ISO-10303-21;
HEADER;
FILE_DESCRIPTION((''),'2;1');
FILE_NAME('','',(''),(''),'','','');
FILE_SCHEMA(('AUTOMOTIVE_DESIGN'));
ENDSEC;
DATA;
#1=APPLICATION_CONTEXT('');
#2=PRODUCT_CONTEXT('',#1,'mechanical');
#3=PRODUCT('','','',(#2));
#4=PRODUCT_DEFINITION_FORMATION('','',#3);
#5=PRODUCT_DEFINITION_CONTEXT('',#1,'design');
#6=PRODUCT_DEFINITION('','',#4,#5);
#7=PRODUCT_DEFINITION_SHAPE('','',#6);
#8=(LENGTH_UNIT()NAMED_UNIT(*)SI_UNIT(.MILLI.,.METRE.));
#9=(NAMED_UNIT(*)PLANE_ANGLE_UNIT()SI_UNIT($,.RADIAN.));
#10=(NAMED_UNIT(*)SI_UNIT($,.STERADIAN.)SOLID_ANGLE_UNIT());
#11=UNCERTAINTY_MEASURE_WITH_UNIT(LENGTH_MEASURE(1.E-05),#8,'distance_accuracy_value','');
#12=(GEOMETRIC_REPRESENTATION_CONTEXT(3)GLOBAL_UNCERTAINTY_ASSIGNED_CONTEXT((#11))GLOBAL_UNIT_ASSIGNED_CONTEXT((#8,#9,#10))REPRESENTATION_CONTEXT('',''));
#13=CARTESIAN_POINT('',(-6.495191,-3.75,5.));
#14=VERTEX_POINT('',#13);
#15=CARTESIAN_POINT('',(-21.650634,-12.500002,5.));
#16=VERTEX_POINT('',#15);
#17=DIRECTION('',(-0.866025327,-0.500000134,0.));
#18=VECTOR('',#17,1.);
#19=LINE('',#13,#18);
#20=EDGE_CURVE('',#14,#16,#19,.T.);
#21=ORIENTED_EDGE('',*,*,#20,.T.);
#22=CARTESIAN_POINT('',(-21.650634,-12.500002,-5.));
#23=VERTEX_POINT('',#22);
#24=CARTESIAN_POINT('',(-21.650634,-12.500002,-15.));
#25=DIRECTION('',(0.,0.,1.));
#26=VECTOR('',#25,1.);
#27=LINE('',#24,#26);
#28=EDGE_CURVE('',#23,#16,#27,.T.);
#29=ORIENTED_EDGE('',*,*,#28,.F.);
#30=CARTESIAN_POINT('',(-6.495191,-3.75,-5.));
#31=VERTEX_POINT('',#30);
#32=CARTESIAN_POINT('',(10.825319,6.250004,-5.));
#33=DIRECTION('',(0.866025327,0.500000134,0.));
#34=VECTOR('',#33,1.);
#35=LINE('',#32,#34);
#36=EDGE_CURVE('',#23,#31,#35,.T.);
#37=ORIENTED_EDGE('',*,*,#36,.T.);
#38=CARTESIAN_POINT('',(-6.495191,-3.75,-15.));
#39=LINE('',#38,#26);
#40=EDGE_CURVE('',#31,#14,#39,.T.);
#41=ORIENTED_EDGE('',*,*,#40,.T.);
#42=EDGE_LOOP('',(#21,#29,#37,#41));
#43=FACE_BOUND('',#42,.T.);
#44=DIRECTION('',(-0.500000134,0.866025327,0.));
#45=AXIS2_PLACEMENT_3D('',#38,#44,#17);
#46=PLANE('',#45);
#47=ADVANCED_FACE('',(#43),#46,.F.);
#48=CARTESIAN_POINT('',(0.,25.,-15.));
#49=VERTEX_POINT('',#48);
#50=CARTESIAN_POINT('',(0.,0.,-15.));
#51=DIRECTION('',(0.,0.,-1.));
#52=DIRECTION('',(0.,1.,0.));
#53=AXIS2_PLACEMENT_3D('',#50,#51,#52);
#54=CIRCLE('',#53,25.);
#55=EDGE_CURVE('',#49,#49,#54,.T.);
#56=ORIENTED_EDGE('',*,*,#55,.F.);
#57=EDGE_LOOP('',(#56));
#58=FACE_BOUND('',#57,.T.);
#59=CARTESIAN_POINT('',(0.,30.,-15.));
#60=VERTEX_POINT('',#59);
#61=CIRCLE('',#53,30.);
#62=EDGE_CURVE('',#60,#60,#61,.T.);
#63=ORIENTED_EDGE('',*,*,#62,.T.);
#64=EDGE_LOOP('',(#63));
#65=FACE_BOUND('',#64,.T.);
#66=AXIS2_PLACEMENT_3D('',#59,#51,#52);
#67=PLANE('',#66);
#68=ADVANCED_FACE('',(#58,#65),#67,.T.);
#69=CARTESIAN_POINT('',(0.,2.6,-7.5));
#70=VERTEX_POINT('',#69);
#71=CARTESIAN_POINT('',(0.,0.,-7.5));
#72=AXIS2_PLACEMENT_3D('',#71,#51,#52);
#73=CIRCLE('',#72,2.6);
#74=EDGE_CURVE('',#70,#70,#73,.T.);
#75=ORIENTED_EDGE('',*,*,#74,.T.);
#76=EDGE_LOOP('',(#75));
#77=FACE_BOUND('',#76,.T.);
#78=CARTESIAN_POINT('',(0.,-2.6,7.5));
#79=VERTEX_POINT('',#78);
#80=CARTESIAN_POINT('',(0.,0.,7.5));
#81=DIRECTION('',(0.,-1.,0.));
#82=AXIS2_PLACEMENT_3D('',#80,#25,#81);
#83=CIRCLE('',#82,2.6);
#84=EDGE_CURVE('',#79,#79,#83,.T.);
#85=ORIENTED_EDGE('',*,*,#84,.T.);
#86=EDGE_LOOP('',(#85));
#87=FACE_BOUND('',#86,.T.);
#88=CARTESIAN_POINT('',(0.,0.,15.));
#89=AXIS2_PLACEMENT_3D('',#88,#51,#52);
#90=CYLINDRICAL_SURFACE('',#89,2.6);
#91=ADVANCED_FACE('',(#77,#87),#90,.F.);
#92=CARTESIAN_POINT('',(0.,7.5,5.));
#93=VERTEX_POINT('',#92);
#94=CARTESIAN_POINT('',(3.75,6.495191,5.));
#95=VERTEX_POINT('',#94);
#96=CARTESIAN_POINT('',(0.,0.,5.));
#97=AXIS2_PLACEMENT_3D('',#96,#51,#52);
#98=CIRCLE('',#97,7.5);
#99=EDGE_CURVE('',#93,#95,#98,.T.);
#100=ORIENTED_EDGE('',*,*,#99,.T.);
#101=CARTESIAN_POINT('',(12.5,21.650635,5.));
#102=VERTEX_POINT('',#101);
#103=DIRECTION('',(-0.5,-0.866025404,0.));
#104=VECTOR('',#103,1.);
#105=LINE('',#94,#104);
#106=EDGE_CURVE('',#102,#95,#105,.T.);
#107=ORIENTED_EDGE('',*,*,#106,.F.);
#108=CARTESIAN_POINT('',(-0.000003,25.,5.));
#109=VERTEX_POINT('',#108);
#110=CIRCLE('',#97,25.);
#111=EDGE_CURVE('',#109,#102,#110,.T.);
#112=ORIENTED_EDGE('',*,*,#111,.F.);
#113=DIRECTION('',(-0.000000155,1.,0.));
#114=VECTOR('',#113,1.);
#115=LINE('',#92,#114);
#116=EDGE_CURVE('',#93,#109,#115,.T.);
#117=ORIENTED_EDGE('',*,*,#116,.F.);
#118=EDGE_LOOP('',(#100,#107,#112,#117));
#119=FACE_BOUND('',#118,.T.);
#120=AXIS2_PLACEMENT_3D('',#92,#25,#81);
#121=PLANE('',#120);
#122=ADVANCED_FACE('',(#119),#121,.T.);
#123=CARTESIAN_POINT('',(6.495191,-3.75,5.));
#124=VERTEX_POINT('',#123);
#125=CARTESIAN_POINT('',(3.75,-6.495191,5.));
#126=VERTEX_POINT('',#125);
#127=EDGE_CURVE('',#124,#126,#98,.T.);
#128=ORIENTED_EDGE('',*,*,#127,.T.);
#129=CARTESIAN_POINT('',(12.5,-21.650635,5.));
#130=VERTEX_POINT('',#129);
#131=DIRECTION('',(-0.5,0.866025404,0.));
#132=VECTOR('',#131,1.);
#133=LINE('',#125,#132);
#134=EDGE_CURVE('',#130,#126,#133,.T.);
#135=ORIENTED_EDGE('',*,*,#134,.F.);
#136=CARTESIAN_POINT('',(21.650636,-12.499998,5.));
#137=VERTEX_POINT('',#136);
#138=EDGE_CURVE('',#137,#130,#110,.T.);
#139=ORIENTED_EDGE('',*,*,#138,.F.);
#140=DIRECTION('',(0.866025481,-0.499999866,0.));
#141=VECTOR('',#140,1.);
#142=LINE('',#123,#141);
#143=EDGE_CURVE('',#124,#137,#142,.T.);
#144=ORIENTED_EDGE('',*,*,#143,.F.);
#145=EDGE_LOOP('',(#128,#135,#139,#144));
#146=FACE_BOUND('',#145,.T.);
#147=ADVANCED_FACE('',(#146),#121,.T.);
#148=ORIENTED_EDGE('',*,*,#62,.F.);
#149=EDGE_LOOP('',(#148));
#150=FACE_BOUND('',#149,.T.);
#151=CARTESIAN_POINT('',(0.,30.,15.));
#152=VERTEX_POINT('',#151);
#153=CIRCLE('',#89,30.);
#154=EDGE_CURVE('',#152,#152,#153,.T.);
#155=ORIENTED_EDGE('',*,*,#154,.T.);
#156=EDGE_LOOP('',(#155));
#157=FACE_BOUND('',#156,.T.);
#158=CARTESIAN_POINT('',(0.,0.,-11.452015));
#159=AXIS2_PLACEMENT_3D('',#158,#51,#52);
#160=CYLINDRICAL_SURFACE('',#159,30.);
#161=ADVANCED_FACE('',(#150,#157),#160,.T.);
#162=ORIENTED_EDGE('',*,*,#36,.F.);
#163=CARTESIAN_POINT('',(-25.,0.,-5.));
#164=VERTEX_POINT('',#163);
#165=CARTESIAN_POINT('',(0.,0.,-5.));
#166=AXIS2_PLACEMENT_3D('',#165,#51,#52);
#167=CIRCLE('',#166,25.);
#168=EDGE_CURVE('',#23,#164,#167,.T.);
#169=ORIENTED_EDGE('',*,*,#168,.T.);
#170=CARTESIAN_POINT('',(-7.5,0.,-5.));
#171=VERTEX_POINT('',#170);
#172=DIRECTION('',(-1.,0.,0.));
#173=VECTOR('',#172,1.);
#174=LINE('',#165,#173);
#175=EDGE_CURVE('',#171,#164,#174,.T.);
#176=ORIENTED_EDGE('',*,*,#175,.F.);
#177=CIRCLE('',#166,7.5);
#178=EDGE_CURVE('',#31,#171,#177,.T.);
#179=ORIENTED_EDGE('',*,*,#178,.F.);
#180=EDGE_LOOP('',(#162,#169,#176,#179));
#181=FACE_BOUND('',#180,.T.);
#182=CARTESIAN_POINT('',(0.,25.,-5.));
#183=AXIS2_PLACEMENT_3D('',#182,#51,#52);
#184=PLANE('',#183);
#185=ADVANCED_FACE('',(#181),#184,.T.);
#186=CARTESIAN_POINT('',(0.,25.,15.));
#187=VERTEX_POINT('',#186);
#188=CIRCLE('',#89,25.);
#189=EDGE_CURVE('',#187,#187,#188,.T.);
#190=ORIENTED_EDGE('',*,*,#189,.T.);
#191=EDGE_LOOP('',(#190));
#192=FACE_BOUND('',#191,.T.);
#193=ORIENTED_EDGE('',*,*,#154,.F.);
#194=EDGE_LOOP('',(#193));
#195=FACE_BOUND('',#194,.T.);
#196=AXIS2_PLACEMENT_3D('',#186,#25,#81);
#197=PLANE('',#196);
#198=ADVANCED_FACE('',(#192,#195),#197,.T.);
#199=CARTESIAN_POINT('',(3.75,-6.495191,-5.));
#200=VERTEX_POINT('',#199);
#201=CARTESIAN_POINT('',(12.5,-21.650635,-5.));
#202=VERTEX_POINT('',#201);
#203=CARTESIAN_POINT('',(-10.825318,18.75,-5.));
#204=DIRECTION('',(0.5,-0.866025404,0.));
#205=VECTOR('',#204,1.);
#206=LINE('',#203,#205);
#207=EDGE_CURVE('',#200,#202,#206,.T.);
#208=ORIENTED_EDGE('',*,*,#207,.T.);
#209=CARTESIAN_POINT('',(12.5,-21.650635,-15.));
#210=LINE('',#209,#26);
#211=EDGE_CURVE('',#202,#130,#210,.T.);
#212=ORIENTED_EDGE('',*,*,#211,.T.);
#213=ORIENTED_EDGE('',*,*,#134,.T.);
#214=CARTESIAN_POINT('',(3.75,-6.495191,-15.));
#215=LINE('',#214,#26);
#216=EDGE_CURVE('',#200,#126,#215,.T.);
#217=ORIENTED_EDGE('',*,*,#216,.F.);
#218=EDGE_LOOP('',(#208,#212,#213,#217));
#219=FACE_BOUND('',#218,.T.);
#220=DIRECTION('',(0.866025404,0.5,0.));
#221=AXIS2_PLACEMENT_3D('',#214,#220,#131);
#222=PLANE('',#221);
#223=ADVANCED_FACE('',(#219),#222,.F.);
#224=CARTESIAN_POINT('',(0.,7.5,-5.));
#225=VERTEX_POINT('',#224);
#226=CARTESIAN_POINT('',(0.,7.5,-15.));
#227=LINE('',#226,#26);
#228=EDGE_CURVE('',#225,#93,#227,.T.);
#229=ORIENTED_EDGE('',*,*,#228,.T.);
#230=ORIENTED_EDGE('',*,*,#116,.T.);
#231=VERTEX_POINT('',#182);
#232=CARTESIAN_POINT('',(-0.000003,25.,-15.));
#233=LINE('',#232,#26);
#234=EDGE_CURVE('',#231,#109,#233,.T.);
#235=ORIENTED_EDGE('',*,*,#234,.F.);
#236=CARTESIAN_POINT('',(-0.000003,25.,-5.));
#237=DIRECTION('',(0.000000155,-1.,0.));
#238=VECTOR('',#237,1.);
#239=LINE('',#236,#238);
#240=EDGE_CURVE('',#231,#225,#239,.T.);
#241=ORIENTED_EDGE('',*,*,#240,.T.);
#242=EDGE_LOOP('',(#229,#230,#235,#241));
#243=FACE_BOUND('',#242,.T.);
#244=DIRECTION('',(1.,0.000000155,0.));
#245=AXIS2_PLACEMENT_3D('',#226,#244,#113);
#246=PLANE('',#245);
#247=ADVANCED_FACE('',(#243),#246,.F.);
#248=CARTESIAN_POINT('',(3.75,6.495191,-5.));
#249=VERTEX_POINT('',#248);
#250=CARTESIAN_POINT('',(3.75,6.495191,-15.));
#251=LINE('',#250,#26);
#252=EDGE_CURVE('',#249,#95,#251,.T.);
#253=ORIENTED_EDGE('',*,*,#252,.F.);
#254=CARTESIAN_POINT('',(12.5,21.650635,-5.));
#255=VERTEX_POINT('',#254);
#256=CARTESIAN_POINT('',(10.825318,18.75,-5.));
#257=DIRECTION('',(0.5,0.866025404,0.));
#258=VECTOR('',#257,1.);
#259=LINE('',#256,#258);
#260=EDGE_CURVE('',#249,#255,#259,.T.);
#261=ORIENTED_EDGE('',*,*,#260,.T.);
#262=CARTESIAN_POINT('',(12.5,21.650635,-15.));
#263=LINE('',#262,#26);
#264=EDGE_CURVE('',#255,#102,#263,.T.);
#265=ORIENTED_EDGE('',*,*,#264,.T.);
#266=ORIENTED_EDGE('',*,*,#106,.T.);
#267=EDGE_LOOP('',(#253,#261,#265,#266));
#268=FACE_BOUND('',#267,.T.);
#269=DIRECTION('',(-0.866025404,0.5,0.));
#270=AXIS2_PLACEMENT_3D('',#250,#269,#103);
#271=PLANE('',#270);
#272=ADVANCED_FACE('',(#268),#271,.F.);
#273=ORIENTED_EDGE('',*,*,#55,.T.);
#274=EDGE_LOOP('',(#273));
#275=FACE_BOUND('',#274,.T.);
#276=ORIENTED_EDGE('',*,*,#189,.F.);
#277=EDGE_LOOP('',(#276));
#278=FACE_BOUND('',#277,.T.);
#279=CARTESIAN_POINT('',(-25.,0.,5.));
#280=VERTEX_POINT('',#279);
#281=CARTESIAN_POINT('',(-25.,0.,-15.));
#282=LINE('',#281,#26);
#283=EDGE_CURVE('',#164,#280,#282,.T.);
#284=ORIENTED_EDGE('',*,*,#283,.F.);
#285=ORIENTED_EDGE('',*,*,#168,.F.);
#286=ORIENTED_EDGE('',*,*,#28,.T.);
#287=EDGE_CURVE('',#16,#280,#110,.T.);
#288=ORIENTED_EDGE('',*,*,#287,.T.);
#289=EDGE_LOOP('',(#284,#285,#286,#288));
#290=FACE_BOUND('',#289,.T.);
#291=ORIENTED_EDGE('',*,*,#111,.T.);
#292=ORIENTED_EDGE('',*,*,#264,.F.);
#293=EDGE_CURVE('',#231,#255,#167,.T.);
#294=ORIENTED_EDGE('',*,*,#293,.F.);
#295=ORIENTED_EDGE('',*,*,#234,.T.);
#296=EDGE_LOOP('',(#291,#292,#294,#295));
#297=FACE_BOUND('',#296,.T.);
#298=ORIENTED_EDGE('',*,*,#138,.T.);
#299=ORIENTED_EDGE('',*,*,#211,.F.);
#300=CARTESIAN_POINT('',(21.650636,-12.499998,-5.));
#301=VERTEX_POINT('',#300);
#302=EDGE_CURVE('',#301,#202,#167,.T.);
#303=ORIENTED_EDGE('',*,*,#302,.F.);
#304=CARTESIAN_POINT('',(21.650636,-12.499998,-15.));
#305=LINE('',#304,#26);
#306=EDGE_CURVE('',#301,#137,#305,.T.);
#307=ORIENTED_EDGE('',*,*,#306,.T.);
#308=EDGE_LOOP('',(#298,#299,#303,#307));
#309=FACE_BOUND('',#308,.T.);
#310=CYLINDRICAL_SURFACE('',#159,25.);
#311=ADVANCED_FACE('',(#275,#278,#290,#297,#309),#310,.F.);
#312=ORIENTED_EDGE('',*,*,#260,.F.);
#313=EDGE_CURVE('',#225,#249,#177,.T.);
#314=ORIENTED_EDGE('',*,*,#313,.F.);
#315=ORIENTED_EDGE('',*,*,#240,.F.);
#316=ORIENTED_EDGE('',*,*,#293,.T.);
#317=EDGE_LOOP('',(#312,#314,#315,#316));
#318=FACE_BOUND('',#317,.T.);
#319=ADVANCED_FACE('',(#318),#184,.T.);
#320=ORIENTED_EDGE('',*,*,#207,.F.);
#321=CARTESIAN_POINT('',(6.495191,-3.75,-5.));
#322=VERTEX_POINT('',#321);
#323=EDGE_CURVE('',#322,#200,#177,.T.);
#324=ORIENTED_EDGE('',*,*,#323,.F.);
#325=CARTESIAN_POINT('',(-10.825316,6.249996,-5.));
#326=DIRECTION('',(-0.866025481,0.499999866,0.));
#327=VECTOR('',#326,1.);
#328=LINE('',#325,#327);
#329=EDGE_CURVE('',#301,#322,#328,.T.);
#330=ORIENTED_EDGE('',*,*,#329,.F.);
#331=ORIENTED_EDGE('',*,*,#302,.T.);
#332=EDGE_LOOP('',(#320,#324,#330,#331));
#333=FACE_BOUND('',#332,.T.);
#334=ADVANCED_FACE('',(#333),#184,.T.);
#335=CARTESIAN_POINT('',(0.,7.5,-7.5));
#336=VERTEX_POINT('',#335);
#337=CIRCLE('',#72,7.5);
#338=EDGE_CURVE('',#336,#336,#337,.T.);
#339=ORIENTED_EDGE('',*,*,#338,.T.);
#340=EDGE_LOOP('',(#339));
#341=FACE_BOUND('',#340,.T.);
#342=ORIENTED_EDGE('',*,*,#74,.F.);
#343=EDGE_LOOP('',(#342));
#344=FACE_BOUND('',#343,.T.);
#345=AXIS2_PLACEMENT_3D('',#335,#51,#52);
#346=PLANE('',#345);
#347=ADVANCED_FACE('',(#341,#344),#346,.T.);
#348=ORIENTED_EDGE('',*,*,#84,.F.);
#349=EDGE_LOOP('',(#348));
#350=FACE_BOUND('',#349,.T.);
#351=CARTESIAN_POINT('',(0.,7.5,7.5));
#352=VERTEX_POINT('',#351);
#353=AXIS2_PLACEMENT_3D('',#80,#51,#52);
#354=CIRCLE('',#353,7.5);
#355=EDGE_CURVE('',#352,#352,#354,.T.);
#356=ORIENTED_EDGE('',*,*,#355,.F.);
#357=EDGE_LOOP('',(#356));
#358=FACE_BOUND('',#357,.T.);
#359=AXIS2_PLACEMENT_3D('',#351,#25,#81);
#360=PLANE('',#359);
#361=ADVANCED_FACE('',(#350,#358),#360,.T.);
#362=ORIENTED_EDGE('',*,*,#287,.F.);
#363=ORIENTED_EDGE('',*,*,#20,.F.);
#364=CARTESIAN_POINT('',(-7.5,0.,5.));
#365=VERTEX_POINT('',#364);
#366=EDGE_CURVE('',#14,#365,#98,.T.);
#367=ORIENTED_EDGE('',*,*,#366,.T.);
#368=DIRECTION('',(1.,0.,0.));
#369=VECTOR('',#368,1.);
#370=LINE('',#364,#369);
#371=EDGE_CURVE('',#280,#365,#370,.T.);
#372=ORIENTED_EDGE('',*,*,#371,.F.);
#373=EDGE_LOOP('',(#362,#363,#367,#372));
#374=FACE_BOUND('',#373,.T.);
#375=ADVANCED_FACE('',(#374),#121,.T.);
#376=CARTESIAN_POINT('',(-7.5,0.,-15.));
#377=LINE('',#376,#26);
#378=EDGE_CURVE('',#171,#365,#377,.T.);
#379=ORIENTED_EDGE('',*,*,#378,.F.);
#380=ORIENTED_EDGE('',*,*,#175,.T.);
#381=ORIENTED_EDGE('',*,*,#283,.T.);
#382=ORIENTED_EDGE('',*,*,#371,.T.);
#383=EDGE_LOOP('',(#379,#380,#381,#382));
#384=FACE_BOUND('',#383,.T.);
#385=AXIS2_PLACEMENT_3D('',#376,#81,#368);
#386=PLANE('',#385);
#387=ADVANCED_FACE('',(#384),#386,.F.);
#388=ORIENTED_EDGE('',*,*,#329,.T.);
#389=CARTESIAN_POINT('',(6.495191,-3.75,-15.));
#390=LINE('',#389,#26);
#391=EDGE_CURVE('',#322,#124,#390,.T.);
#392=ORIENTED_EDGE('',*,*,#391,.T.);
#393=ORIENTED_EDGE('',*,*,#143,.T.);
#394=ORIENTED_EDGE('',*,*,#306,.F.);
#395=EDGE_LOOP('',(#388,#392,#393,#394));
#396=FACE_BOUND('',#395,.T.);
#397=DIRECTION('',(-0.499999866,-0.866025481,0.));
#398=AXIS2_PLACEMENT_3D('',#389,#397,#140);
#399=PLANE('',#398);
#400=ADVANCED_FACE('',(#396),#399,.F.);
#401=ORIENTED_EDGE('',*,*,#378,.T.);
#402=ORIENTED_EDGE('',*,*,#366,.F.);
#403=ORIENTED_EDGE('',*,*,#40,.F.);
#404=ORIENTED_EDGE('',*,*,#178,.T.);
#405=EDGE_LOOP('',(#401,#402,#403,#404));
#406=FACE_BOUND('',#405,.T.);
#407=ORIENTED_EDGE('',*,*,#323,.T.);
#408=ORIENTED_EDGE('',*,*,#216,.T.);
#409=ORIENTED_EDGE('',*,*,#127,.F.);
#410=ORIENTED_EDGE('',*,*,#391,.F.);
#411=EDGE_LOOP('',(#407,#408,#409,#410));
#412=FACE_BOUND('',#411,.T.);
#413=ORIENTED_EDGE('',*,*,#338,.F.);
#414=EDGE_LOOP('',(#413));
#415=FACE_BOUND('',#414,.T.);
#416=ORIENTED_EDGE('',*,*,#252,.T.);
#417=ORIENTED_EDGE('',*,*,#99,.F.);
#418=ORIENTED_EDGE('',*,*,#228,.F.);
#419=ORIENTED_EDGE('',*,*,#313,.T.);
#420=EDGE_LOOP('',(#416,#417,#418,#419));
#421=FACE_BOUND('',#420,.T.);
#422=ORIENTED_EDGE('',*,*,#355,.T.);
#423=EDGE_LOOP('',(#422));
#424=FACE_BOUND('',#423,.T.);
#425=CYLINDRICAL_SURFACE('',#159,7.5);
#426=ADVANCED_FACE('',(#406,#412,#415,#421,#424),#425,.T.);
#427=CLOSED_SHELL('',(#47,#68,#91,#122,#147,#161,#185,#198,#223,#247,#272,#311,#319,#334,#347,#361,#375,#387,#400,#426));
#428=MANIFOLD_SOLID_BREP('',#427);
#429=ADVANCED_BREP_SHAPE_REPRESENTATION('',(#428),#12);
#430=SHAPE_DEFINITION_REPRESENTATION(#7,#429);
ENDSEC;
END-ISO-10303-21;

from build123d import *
from build123d.topology import SkipClean

# Parameters (mm, degrees)
CUT_EXTRUDE1_DEPTH = 47.904157598234306
CIRPATTERN2_COUNT  = 3
SKETCH8_R          = 2.6000000000000005
CUT_EXTRUDE2_DEPTH = 49.02343178074637


with BuildPart() as part:
    # Sketch5 → Revolve2 (revolve)
    with BuildSketch(Plane(origin=(0, 0, 0), x_dir=(0, 0, -1), z_dir=(1, 0, 0))):
        Polygon((-5.000000000000004, 7.5), (-5.000000000000003, 25), (-14.999999999999998, 24.999999999999996), (-14.999999999999998, 30), (14.999999999999998, 30), (14.999999999999998, 24.999999999999996), (5.000000000000003, 25), (5.000000000000004, 7.5), (7.5, 7.499999999999998), (7.499999999999998, -4.8e-16), (-7.499999999999998, -4.8e-16), (-7.5, 7.499999999999998), align=None)
    revolve(axis=Axis((0, 7.4e-16, -11.452014829998802), (0, -1.8e-16, 1)))

    # Sketch7 → Cut-Extrude1 (cut, through all)
    with SkipClean():  # the faces are left unmerged after this step: merging them gives an invalid solid
        with BuildSketch(Plane.XY.offset(5)):
            with BuildLine():
                Line((0, 7.499999999999999), (-2.7040460461e-06, 24.99999999999999))
                ThreePointArc((-2.7040460461e-06, 24.99999999999999), (-17.677670485688406, 17.67766857363911), (-25, -1.041e-14))
                Line((-25, -1.041e-14), (-7.500000000000001, -1.82e-15))
                ThreePointArc((-7.500000000000001, -1.82e-15), (-5.303300858899107, 5.303300858899106), (0, 7.499999999999999))
            make_face()
        cut_extrude1 = extrude(amount=-CUT_EXTRUDE1_DEPTH, mode=Mode.SUBTRACT)

    # CirPattern2: Cut-Extrude1 ×3 about axis
    cirpattern2_axis = Axis((4.4e-16, -2.5e-16, 0), (0, 0, 1))
    for i in range(1, CIRPATTERN2_COUNT):
        add(cut_extrude1.rotate(cirpattern2_axis, i * 360 / CIRPATTERN2_COUNT), mode=Mode.SUBTRACT)

    # Sketch8 → Cut-Extrude2 (cut, through all)
    with BuildSketch(Plane(origin=(0, 1.38e-15, -7.5), x_dir=(-1, 0, 0), z_dir=(0, 1.8e-16, -1))):
        with Locations(Location((0, 0, 0), (0, 0, 90))):
            Circle(SKETCH8_R)
    extrude(amount=-CUT_EXTRUDE2_DEPTH, mode=Mode.SUBTRACT)


solid = part.part
